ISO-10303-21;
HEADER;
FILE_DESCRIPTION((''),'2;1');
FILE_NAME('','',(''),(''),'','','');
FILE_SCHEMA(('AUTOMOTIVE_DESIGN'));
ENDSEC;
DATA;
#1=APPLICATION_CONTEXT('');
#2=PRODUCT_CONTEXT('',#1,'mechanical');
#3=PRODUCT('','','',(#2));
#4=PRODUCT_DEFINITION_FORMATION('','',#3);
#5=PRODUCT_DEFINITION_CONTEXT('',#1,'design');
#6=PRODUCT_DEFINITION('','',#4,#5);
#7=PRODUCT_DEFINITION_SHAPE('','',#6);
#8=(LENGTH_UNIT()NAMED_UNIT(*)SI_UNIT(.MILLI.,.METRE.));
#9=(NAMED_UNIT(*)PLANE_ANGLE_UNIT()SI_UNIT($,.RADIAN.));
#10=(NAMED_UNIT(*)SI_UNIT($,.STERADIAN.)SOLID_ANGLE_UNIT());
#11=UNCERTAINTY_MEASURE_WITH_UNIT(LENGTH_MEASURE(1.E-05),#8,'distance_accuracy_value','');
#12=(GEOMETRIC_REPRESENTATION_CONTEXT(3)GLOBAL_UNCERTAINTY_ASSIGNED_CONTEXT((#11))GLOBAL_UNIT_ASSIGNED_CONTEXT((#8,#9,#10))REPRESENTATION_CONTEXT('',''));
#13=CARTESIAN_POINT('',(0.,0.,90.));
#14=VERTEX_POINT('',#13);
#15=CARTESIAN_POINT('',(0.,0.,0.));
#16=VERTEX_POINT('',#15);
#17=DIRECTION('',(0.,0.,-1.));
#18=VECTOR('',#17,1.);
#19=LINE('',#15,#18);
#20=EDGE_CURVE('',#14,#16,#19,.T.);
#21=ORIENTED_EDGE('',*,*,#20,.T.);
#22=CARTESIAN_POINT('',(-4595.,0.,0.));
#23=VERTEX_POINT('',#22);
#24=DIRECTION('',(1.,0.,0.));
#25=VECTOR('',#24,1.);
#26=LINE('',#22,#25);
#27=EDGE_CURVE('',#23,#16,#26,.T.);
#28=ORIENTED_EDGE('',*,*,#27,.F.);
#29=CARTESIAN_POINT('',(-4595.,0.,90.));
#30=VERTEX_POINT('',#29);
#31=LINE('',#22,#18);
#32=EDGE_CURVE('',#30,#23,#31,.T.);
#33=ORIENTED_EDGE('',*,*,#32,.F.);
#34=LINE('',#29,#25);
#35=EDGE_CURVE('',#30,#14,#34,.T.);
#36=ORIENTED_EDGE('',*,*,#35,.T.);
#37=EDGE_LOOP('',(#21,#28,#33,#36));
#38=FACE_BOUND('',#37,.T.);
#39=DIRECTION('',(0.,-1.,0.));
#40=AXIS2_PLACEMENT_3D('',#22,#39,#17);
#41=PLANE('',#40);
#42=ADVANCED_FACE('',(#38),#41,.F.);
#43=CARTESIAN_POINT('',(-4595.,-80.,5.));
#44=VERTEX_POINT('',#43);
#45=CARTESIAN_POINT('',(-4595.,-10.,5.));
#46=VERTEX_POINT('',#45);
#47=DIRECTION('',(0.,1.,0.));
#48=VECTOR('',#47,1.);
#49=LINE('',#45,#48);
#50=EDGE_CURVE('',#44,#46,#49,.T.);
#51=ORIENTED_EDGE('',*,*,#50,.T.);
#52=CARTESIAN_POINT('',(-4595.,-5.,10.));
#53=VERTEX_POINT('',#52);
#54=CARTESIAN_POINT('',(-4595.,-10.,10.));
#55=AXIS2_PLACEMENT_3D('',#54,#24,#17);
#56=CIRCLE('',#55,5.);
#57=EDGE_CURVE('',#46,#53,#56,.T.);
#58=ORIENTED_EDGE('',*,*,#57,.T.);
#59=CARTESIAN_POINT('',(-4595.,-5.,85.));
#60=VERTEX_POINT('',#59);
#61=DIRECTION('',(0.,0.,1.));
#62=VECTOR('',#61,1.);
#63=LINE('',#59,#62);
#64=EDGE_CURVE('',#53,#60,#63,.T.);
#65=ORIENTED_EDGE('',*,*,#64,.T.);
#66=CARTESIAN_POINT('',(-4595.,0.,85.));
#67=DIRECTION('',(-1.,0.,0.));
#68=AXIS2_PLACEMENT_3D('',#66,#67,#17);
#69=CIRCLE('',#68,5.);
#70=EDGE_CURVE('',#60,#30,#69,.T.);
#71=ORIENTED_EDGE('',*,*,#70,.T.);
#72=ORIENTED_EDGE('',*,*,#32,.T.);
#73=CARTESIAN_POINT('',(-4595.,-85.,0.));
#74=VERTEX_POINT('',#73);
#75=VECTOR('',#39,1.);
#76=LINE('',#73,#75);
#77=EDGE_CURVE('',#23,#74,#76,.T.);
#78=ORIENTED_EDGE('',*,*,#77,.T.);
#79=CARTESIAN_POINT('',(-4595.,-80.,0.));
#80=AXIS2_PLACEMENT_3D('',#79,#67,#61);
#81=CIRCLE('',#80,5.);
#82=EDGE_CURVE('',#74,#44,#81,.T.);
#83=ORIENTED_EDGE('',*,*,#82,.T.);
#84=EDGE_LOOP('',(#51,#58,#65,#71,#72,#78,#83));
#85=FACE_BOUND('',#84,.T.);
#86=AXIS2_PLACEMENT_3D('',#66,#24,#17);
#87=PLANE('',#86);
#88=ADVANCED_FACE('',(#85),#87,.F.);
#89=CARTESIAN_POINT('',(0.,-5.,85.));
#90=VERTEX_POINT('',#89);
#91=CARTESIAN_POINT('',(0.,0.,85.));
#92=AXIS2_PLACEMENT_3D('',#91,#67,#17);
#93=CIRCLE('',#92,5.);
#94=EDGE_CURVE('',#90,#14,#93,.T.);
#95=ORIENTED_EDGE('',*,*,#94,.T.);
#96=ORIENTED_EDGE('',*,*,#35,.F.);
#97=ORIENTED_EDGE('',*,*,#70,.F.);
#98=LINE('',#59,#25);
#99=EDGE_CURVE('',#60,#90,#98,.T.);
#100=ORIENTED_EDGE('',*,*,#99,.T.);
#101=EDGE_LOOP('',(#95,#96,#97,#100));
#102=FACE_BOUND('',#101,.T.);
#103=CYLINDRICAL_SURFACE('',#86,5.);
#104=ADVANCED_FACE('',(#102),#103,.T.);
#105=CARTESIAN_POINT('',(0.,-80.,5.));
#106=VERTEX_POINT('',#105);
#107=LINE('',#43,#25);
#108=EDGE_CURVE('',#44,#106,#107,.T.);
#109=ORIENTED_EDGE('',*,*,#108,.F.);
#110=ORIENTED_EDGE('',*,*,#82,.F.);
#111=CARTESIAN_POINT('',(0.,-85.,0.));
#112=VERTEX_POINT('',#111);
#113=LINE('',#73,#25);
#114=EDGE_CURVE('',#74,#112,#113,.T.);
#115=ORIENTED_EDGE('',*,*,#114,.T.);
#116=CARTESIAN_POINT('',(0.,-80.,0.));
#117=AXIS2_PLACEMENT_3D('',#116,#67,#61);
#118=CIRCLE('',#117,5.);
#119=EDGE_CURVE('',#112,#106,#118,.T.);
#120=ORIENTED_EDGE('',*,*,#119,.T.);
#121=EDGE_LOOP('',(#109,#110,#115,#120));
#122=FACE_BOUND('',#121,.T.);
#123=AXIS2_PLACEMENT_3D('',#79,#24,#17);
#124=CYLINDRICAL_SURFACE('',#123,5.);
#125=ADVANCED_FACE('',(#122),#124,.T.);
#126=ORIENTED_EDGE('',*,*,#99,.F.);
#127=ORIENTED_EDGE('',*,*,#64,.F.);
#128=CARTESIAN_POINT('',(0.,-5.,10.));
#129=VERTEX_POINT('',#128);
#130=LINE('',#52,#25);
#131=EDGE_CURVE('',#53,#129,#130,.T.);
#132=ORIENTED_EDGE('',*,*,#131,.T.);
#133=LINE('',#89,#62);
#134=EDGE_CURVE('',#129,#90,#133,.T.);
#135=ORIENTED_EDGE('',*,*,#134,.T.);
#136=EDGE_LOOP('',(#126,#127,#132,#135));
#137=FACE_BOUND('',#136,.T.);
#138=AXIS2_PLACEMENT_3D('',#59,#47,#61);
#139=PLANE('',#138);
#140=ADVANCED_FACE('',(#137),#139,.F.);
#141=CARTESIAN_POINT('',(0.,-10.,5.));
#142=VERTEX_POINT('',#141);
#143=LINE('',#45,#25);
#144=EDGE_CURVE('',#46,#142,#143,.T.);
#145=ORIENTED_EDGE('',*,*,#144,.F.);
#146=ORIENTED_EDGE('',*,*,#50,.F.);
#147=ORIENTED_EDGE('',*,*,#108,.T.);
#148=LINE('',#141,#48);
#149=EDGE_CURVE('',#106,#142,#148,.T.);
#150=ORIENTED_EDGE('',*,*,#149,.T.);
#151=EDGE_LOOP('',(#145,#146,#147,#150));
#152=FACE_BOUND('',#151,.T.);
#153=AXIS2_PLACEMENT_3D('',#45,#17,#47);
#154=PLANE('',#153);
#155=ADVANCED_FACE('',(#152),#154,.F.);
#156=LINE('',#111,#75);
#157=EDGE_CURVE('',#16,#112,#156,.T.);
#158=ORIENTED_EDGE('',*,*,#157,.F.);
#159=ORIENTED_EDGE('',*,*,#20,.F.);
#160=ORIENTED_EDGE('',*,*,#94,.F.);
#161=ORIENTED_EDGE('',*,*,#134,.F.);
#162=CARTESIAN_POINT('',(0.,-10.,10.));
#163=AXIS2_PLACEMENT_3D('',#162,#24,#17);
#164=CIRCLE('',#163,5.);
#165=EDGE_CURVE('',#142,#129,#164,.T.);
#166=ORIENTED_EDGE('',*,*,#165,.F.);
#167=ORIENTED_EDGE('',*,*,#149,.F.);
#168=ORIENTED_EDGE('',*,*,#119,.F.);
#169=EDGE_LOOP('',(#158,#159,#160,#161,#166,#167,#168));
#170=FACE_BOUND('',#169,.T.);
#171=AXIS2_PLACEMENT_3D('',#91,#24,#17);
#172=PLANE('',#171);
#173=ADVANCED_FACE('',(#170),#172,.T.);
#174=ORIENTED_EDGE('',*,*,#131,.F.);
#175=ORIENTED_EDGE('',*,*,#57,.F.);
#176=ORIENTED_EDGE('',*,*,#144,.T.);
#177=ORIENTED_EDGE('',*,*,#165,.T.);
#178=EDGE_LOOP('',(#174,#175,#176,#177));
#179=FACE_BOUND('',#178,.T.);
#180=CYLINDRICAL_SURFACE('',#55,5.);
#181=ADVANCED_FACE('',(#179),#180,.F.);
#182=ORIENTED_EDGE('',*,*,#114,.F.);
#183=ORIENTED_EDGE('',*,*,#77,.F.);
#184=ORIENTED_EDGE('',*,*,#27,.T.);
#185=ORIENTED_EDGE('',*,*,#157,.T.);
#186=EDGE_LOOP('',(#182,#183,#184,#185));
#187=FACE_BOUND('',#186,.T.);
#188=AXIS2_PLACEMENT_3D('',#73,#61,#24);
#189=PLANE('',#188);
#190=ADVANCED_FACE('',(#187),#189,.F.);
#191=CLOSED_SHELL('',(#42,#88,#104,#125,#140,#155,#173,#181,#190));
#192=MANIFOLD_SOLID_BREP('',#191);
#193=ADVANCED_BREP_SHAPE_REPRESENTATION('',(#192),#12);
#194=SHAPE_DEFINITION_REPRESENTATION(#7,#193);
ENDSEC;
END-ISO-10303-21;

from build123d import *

# Parameters (mm, degrees)
ANGLE_IRON_35_X_35_X_5_2_DEPTH = 4595


with BuildPart() as part:
    # Sketch13 → Angle iron 35 X 35 X 5(2) (new body)
    with BuildSketch(Plane(origin=(0, 0, 0), x_dir=(0, -1, 0), z_dir=(-1, 0, 0))):
        with BuildLine():
            Line((0, 0), (0, 90))
            ThreePointArc((0, 90), (3.535533906, 88.535533906), (5, 85))
            Line((5, 85), (5, 10))
            ThreePointArc((5, 10), (6.464466094, 6.464466094), (10, 5))
            Line((10, 5), (80, 5))
            ThreePointArc((80, 5), (83.535533906, 3.535533906), (85, 0))
            Line((85, 0), (0, 0))
        make_face()
    extrude(amount=ANGLE_IRON_35_X_35_X_5_2_DEPTH)


solid = part.part
